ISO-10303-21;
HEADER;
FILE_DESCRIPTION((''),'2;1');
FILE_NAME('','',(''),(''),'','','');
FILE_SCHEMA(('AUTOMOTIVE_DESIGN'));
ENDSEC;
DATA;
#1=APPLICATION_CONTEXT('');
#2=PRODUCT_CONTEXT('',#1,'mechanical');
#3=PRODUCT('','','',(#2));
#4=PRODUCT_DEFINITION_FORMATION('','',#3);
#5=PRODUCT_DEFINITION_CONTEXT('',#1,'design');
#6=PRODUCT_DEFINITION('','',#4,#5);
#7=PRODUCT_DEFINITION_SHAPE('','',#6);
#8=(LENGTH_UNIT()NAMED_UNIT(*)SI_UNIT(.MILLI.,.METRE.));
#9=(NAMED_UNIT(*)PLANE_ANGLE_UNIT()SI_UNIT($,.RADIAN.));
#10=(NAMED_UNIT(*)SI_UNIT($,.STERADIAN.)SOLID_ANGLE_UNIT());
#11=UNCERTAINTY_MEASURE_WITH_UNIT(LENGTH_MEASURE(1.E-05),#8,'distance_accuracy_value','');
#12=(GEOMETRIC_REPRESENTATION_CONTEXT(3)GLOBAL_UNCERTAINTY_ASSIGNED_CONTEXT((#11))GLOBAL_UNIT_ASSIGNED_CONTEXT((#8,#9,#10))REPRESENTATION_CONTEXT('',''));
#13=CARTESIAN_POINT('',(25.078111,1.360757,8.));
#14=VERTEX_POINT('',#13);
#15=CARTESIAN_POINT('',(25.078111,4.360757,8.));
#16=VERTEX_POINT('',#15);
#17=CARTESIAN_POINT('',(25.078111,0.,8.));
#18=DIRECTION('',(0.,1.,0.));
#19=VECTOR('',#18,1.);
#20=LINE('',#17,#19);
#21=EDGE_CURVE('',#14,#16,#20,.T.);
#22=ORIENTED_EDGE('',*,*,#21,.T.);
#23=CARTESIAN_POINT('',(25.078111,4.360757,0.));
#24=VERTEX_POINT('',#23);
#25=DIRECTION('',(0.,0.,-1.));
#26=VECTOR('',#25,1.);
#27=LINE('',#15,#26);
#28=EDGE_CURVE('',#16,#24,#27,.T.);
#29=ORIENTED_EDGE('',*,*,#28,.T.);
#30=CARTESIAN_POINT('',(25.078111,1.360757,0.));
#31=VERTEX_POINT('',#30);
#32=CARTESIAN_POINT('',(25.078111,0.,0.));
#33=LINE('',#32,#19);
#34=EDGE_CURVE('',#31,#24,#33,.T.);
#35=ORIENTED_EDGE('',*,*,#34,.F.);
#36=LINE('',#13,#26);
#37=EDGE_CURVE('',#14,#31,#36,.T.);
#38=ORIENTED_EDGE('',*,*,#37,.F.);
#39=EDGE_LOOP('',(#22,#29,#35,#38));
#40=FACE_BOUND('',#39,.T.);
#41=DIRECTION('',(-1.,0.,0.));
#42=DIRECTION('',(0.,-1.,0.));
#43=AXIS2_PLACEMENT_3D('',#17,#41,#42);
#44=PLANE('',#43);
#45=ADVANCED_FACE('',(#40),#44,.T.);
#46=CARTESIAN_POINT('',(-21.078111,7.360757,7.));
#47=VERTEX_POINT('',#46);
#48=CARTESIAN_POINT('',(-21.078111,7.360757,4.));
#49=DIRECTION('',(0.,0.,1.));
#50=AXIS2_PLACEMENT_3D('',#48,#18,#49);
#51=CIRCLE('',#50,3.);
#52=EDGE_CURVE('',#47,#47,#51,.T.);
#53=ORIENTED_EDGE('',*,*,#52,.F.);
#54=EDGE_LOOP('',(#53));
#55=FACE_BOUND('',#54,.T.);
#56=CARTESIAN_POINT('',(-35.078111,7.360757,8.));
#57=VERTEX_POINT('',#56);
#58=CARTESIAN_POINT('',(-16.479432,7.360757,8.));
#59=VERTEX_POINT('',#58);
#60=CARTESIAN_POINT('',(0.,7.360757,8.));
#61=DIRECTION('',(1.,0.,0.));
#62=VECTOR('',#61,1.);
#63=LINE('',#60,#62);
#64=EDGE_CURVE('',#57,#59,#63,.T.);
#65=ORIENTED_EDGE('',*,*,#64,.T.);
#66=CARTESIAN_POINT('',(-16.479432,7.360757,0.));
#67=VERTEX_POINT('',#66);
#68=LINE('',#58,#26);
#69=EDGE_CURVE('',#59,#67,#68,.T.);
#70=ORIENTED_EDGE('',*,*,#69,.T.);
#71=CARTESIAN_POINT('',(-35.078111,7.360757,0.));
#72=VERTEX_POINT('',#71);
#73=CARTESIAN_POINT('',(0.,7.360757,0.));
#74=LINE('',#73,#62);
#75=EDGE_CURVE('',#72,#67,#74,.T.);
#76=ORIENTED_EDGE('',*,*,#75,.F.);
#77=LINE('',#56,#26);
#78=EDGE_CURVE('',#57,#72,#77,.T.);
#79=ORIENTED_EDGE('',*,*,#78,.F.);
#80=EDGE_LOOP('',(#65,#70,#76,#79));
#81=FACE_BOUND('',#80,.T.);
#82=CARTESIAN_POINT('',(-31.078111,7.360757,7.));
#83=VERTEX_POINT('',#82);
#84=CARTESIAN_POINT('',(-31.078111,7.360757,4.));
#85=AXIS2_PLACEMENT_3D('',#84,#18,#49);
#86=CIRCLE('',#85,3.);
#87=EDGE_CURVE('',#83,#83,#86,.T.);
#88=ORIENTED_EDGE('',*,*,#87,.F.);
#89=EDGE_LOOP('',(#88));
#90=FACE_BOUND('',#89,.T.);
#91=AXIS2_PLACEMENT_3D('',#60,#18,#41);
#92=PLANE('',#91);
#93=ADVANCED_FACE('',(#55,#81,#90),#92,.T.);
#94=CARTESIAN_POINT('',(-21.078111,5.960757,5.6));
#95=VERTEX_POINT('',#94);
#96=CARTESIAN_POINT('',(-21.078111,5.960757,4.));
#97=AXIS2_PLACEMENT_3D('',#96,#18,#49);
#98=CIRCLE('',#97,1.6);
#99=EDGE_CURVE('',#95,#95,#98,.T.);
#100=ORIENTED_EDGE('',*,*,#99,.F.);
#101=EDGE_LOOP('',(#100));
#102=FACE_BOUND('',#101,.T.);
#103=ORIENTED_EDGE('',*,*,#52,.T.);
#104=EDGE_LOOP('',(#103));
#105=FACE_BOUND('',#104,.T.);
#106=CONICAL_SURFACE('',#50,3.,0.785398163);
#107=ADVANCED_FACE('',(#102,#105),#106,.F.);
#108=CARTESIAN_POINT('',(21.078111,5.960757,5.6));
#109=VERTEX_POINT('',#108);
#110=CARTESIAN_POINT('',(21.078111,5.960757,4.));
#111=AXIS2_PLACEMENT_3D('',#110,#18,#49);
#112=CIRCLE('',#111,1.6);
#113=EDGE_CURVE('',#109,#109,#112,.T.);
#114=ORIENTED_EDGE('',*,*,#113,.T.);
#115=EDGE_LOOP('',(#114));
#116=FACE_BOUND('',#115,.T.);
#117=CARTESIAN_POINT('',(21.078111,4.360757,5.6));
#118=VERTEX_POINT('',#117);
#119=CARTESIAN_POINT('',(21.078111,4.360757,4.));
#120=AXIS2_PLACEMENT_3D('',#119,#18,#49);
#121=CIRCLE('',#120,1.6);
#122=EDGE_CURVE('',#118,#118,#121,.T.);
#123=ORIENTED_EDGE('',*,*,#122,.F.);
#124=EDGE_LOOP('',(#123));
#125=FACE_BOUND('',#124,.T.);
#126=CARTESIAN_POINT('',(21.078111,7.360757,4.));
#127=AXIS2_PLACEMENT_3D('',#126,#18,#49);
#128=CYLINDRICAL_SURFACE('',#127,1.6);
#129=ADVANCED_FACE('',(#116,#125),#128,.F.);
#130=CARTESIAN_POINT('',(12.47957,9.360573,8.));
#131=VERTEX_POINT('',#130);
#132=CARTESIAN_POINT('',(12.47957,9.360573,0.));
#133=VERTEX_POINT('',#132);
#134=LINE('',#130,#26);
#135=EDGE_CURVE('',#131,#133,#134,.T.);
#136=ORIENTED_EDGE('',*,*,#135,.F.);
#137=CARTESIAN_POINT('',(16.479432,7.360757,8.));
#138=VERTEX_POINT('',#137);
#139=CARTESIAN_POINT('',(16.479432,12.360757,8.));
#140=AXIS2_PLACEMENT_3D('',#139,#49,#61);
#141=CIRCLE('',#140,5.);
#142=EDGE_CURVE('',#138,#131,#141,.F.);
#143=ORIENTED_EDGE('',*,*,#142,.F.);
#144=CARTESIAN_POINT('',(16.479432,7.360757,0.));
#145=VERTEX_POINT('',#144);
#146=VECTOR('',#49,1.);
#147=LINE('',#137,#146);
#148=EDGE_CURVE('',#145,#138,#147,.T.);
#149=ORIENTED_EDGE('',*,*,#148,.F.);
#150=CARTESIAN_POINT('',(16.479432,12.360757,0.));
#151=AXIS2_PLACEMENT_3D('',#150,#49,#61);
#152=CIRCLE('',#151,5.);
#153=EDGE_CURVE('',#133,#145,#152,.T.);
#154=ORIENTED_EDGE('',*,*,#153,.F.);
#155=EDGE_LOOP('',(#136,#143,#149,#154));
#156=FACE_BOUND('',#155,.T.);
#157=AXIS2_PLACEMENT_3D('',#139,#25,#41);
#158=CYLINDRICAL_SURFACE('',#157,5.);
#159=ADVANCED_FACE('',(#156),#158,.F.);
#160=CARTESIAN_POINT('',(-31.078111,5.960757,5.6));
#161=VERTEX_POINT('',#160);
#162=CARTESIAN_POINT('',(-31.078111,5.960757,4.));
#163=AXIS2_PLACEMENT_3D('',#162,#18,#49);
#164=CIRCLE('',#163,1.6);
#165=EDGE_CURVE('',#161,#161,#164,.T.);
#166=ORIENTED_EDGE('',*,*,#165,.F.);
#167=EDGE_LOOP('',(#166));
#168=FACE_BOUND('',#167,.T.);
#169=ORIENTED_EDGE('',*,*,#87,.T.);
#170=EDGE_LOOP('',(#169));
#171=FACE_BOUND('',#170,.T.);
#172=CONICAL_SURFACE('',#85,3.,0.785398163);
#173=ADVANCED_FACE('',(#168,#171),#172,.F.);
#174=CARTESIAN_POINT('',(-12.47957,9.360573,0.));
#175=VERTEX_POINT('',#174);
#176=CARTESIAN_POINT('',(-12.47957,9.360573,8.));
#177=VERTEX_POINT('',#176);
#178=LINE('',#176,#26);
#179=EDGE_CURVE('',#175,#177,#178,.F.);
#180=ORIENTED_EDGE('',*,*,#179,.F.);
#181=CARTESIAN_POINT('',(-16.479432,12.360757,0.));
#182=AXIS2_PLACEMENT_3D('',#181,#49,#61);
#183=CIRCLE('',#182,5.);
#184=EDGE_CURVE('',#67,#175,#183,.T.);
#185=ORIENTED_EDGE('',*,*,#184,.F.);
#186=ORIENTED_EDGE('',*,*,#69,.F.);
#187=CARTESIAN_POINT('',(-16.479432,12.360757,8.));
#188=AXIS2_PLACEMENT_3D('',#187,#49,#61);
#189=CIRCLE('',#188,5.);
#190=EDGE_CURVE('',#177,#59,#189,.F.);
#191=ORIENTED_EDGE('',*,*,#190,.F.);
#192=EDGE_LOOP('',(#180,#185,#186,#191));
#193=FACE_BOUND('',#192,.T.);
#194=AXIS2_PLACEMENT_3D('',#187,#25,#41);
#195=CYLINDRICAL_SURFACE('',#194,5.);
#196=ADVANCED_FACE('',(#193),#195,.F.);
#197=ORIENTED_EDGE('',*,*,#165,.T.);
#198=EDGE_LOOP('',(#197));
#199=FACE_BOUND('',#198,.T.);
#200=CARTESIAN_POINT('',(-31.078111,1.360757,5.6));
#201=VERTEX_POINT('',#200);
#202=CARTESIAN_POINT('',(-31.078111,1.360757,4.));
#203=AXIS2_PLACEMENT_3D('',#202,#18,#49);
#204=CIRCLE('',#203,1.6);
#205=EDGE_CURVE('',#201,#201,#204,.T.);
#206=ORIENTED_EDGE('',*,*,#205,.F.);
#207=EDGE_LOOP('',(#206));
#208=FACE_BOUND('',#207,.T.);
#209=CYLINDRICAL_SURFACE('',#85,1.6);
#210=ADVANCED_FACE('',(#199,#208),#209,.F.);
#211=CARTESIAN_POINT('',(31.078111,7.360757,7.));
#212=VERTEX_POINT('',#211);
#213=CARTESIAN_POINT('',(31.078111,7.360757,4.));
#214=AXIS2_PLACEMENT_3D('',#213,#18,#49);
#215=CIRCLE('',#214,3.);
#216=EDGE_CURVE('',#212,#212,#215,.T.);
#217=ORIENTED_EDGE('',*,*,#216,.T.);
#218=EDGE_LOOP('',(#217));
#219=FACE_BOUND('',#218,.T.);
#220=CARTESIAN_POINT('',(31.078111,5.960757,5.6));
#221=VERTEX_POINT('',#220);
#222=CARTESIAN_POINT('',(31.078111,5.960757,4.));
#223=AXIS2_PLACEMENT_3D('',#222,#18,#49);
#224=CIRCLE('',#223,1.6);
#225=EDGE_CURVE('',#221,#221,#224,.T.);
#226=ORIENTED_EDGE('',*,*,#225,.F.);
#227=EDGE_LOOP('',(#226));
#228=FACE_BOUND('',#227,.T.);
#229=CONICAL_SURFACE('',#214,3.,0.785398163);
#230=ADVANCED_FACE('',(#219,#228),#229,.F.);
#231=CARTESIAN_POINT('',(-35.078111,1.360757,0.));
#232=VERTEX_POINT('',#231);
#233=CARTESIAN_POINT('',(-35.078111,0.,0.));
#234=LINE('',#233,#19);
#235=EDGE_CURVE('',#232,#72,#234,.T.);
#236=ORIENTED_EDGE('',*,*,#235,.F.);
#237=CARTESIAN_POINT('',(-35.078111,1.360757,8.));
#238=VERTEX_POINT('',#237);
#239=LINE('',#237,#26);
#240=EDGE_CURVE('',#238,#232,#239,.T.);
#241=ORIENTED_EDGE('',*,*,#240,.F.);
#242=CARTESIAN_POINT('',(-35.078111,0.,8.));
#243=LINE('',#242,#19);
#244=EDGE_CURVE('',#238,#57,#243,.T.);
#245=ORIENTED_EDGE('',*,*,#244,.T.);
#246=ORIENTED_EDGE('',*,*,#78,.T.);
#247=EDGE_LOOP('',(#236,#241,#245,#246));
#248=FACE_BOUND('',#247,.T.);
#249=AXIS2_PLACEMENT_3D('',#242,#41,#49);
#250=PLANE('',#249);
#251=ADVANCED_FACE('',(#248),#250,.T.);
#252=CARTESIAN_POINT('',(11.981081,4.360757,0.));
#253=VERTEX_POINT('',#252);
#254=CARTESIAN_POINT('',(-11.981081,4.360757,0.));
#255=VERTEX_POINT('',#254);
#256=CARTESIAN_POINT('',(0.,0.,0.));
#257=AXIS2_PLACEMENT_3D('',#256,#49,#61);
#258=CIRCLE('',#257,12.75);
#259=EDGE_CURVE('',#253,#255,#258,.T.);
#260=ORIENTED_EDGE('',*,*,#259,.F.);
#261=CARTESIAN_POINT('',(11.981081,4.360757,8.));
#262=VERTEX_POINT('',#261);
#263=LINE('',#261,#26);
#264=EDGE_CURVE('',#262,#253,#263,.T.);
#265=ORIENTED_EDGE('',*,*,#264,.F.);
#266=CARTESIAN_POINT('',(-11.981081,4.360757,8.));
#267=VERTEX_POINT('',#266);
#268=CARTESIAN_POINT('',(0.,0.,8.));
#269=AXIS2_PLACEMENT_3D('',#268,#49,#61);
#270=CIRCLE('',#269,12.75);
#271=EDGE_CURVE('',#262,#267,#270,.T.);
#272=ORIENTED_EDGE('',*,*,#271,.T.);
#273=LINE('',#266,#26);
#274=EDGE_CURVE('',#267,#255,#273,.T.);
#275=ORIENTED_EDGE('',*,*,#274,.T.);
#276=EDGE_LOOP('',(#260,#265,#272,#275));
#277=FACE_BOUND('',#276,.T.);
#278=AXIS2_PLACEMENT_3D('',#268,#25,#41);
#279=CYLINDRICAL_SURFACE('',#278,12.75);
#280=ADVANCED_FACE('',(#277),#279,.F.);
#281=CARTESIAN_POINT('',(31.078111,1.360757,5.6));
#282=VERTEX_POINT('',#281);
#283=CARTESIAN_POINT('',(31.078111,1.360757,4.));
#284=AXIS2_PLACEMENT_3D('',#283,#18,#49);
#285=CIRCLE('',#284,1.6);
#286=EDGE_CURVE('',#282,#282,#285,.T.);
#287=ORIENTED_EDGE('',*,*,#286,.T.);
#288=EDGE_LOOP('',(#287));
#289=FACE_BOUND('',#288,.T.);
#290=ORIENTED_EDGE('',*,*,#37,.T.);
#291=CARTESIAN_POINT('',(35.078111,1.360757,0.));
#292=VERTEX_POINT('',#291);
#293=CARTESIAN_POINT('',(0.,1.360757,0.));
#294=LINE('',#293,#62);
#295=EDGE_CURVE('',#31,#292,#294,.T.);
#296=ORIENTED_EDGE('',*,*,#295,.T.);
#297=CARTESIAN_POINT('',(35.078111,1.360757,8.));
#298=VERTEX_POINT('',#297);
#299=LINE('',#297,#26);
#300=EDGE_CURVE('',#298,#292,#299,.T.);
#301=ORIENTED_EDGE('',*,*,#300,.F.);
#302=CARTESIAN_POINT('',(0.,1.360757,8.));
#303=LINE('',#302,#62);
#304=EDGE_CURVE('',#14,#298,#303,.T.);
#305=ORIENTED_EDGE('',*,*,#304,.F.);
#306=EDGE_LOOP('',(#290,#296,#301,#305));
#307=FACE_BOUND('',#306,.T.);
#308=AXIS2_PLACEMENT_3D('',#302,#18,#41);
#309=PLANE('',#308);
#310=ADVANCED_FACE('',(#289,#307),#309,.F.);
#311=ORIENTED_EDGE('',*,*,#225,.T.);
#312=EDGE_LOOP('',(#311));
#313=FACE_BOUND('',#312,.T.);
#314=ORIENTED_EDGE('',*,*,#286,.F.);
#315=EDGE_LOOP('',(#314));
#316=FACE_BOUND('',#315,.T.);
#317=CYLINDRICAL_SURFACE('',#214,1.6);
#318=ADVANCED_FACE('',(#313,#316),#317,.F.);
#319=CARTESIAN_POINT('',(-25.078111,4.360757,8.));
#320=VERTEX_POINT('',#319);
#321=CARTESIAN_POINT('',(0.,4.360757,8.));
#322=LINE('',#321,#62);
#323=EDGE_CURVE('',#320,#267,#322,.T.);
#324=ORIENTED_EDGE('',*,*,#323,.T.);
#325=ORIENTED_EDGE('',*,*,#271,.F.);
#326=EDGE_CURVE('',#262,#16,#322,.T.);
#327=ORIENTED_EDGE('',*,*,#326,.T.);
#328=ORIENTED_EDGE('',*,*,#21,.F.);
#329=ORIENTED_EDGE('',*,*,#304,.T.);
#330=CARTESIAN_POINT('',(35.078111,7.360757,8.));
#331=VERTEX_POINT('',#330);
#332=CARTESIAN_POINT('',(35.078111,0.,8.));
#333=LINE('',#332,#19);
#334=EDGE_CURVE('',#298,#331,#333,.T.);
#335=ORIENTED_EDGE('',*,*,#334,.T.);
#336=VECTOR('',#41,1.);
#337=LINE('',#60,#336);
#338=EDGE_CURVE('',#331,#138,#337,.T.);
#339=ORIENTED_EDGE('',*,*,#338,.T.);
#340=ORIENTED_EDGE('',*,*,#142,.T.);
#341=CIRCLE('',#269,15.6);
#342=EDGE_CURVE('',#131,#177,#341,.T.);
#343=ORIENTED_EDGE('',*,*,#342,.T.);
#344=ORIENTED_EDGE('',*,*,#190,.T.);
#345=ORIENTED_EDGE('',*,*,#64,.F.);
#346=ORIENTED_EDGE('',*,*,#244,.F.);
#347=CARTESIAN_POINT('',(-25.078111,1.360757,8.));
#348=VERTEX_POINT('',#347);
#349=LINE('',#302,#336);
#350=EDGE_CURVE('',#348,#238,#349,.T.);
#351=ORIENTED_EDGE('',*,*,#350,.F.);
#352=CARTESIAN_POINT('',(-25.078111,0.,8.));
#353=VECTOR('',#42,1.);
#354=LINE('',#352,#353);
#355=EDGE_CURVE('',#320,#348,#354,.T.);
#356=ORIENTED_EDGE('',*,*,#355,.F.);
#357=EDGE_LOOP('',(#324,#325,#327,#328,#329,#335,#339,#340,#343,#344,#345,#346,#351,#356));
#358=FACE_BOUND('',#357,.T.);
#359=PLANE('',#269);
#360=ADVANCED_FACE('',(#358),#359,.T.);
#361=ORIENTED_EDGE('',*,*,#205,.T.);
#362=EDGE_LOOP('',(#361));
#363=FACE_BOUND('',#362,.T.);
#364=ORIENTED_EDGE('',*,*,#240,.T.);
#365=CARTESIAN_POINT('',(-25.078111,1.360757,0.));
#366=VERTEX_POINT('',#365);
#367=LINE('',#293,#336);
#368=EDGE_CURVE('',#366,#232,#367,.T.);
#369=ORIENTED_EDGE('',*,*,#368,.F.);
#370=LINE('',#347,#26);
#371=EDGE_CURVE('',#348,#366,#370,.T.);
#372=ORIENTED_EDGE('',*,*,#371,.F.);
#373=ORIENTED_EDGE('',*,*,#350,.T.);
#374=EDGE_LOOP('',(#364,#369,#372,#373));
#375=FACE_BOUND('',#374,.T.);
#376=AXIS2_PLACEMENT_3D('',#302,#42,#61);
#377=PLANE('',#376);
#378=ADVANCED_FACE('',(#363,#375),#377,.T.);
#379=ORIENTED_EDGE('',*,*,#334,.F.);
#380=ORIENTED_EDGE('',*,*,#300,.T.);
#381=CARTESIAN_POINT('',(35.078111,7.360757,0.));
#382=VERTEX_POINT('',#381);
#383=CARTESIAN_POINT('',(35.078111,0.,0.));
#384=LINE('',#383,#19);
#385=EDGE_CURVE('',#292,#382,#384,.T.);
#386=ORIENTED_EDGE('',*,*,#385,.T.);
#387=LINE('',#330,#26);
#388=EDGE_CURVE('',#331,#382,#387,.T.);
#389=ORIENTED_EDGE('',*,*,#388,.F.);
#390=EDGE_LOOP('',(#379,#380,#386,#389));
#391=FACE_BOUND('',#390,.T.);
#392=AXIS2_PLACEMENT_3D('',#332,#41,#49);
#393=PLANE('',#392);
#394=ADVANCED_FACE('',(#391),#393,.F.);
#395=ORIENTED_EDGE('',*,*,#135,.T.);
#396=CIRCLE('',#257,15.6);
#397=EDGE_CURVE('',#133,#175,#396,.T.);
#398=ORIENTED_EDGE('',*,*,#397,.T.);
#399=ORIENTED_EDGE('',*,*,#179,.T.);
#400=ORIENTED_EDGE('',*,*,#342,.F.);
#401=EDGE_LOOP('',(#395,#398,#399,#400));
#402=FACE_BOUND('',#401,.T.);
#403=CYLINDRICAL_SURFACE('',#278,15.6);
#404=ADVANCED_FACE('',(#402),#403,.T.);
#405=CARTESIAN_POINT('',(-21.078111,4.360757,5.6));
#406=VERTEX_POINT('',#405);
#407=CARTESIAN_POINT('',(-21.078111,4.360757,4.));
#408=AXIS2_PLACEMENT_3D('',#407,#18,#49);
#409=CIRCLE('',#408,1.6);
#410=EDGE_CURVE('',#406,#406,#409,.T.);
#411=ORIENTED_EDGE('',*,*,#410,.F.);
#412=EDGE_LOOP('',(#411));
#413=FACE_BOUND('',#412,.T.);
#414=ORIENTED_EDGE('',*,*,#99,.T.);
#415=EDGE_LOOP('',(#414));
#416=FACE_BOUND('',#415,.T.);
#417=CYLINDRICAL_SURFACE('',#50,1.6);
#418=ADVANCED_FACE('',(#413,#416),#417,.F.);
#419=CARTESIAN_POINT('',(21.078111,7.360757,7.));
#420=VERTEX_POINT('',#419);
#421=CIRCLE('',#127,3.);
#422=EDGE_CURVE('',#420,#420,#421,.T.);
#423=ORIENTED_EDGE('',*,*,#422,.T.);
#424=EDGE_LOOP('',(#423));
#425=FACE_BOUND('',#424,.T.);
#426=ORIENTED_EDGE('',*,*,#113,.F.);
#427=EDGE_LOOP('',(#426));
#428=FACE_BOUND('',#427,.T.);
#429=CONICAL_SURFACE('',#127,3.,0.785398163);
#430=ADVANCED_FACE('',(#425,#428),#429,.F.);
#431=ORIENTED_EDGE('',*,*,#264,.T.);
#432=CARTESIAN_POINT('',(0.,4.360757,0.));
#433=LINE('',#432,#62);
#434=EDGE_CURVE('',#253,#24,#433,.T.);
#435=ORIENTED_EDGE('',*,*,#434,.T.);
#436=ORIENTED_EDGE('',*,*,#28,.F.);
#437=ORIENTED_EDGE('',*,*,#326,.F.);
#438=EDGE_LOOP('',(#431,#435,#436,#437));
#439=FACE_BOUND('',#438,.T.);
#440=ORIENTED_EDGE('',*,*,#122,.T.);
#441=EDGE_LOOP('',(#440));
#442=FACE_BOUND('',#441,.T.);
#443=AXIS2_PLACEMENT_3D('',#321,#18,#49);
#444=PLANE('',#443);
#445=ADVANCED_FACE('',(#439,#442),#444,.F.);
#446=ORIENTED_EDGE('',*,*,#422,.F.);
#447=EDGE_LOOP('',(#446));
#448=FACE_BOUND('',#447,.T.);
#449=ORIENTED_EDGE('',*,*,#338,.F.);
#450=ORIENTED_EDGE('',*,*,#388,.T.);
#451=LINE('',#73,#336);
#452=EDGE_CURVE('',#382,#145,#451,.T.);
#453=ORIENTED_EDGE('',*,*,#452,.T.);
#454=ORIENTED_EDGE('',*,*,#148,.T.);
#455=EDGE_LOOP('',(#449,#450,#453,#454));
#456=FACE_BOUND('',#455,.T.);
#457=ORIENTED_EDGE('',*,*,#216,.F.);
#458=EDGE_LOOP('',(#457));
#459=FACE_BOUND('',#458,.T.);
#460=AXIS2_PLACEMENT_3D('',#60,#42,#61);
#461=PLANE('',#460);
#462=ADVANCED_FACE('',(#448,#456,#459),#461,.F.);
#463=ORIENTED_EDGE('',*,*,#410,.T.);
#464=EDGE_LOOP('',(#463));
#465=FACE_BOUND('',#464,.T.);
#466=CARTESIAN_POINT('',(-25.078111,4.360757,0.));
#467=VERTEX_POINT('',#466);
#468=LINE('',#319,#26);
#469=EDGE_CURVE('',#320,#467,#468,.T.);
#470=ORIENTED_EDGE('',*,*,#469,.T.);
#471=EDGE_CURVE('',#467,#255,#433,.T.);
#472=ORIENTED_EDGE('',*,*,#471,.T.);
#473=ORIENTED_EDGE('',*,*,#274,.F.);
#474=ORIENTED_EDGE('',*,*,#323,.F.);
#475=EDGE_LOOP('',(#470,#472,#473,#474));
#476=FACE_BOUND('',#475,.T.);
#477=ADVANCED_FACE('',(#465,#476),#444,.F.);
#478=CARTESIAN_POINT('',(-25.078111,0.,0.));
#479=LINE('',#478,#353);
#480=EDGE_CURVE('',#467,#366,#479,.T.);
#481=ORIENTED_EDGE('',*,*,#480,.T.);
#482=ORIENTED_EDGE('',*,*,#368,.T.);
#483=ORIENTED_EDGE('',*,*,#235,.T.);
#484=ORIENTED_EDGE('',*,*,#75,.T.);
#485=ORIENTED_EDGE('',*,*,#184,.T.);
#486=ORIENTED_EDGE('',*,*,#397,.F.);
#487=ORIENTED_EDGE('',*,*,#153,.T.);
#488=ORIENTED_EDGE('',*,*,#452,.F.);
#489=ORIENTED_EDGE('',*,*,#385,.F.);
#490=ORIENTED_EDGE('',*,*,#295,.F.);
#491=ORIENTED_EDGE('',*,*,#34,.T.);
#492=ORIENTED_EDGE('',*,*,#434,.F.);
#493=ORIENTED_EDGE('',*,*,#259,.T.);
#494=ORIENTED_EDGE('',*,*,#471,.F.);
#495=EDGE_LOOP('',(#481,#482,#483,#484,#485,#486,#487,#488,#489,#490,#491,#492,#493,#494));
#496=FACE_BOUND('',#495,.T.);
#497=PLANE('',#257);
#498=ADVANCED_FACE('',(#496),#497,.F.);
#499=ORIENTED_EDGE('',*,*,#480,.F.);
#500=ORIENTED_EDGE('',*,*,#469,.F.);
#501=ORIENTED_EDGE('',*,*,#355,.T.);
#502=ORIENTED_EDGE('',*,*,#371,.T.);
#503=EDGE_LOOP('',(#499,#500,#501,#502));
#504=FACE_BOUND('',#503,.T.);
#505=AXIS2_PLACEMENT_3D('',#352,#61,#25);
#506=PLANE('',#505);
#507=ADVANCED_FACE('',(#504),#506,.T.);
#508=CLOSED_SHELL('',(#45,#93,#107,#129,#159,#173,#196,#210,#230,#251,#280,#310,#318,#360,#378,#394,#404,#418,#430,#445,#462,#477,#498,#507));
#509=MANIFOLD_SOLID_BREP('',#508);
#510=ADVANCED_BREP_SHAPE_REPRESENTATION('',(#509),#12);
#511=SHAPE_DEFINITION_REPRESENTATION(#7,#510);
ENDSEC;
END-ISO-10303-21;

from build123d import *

# Parameters (mm, degrees)
BOSS_EXTRUDE1_DEPTH = 8
HOLE1_D             = 3.2
HOLE1_CSINK_D       = 6
HOLE1_CSINK_ANGLE   = 90
FILLET1_R           = 5


with BuildPart() as part:
    # Sketch1 → Boss-Extrude1 (new body)
    with BuildSketch(Plane.XY):
        with BuildLine():
            Line((-13.754245124, 7.360756827), (-35.078110692, 7.360756827))
            Line((-35.078110692, 7.360756827), (-35.078110692, 1.360756827))
            Line((-35.078110692, 1.360756827), (-25.078110692, 1.360756827))
            Line((-25.078110692, 1.360756827), (-25.078110692, 4.360756827))
            Line((-25.078110692, 4.360756827), (-11.981080915, 4.360756827))
            ThreePointArc((-11.981080915, 4.360756827), (0, 12.75), (11.981080915, 4.360756827))
            Line((11.981080915, 4.360756827), (25.078110692, 4.360756827))
            Line((25.078110692, 4.360756827), (25.078110692, 1.360756827))
            Line((25.078110692, 1.360756827), (35.078110692, 1.360756827))
            Line((35.078110692, 1.360756827), (35.078110692, 7.360756827))
            Line((35.078110692, 7.360756827), (13.754245124, 7.360756827))
            ThreePointArc((13.754245124, 7.360756827), (0, 15.6), (-13.754245124, 7.360756827))
        make_face()
    extrude(amount=BOSS_EXTRUDE1_DEPTH)

    # Hole1 (through all)
    with Locations(Plane(origin=(-21.078110692, 7.360756827, 4), x_dir=(1, 0, 0), z_dir=(0, 1, 0))):
        with Locations((0, 0), (42.156221384, 0), (-10, 0), (52.156221384, 0)):
            CounterSinkHole(HOLE1_D / 2, HOLE1_CSINK_D / 2, counter_sink_angle=HOLE1_CSINK_ANGLE)

    # Fillet1
    fillet1_edges = [part.edges().sort_by_distance(p)[0] for p in [
        (-13.754245124, 7.360756827, 4),
        (13.754245124, 7.360756827, 4),
    ]]
    fillet(fillet1_edges, radius=FILLET1_R)


solid = part.part
